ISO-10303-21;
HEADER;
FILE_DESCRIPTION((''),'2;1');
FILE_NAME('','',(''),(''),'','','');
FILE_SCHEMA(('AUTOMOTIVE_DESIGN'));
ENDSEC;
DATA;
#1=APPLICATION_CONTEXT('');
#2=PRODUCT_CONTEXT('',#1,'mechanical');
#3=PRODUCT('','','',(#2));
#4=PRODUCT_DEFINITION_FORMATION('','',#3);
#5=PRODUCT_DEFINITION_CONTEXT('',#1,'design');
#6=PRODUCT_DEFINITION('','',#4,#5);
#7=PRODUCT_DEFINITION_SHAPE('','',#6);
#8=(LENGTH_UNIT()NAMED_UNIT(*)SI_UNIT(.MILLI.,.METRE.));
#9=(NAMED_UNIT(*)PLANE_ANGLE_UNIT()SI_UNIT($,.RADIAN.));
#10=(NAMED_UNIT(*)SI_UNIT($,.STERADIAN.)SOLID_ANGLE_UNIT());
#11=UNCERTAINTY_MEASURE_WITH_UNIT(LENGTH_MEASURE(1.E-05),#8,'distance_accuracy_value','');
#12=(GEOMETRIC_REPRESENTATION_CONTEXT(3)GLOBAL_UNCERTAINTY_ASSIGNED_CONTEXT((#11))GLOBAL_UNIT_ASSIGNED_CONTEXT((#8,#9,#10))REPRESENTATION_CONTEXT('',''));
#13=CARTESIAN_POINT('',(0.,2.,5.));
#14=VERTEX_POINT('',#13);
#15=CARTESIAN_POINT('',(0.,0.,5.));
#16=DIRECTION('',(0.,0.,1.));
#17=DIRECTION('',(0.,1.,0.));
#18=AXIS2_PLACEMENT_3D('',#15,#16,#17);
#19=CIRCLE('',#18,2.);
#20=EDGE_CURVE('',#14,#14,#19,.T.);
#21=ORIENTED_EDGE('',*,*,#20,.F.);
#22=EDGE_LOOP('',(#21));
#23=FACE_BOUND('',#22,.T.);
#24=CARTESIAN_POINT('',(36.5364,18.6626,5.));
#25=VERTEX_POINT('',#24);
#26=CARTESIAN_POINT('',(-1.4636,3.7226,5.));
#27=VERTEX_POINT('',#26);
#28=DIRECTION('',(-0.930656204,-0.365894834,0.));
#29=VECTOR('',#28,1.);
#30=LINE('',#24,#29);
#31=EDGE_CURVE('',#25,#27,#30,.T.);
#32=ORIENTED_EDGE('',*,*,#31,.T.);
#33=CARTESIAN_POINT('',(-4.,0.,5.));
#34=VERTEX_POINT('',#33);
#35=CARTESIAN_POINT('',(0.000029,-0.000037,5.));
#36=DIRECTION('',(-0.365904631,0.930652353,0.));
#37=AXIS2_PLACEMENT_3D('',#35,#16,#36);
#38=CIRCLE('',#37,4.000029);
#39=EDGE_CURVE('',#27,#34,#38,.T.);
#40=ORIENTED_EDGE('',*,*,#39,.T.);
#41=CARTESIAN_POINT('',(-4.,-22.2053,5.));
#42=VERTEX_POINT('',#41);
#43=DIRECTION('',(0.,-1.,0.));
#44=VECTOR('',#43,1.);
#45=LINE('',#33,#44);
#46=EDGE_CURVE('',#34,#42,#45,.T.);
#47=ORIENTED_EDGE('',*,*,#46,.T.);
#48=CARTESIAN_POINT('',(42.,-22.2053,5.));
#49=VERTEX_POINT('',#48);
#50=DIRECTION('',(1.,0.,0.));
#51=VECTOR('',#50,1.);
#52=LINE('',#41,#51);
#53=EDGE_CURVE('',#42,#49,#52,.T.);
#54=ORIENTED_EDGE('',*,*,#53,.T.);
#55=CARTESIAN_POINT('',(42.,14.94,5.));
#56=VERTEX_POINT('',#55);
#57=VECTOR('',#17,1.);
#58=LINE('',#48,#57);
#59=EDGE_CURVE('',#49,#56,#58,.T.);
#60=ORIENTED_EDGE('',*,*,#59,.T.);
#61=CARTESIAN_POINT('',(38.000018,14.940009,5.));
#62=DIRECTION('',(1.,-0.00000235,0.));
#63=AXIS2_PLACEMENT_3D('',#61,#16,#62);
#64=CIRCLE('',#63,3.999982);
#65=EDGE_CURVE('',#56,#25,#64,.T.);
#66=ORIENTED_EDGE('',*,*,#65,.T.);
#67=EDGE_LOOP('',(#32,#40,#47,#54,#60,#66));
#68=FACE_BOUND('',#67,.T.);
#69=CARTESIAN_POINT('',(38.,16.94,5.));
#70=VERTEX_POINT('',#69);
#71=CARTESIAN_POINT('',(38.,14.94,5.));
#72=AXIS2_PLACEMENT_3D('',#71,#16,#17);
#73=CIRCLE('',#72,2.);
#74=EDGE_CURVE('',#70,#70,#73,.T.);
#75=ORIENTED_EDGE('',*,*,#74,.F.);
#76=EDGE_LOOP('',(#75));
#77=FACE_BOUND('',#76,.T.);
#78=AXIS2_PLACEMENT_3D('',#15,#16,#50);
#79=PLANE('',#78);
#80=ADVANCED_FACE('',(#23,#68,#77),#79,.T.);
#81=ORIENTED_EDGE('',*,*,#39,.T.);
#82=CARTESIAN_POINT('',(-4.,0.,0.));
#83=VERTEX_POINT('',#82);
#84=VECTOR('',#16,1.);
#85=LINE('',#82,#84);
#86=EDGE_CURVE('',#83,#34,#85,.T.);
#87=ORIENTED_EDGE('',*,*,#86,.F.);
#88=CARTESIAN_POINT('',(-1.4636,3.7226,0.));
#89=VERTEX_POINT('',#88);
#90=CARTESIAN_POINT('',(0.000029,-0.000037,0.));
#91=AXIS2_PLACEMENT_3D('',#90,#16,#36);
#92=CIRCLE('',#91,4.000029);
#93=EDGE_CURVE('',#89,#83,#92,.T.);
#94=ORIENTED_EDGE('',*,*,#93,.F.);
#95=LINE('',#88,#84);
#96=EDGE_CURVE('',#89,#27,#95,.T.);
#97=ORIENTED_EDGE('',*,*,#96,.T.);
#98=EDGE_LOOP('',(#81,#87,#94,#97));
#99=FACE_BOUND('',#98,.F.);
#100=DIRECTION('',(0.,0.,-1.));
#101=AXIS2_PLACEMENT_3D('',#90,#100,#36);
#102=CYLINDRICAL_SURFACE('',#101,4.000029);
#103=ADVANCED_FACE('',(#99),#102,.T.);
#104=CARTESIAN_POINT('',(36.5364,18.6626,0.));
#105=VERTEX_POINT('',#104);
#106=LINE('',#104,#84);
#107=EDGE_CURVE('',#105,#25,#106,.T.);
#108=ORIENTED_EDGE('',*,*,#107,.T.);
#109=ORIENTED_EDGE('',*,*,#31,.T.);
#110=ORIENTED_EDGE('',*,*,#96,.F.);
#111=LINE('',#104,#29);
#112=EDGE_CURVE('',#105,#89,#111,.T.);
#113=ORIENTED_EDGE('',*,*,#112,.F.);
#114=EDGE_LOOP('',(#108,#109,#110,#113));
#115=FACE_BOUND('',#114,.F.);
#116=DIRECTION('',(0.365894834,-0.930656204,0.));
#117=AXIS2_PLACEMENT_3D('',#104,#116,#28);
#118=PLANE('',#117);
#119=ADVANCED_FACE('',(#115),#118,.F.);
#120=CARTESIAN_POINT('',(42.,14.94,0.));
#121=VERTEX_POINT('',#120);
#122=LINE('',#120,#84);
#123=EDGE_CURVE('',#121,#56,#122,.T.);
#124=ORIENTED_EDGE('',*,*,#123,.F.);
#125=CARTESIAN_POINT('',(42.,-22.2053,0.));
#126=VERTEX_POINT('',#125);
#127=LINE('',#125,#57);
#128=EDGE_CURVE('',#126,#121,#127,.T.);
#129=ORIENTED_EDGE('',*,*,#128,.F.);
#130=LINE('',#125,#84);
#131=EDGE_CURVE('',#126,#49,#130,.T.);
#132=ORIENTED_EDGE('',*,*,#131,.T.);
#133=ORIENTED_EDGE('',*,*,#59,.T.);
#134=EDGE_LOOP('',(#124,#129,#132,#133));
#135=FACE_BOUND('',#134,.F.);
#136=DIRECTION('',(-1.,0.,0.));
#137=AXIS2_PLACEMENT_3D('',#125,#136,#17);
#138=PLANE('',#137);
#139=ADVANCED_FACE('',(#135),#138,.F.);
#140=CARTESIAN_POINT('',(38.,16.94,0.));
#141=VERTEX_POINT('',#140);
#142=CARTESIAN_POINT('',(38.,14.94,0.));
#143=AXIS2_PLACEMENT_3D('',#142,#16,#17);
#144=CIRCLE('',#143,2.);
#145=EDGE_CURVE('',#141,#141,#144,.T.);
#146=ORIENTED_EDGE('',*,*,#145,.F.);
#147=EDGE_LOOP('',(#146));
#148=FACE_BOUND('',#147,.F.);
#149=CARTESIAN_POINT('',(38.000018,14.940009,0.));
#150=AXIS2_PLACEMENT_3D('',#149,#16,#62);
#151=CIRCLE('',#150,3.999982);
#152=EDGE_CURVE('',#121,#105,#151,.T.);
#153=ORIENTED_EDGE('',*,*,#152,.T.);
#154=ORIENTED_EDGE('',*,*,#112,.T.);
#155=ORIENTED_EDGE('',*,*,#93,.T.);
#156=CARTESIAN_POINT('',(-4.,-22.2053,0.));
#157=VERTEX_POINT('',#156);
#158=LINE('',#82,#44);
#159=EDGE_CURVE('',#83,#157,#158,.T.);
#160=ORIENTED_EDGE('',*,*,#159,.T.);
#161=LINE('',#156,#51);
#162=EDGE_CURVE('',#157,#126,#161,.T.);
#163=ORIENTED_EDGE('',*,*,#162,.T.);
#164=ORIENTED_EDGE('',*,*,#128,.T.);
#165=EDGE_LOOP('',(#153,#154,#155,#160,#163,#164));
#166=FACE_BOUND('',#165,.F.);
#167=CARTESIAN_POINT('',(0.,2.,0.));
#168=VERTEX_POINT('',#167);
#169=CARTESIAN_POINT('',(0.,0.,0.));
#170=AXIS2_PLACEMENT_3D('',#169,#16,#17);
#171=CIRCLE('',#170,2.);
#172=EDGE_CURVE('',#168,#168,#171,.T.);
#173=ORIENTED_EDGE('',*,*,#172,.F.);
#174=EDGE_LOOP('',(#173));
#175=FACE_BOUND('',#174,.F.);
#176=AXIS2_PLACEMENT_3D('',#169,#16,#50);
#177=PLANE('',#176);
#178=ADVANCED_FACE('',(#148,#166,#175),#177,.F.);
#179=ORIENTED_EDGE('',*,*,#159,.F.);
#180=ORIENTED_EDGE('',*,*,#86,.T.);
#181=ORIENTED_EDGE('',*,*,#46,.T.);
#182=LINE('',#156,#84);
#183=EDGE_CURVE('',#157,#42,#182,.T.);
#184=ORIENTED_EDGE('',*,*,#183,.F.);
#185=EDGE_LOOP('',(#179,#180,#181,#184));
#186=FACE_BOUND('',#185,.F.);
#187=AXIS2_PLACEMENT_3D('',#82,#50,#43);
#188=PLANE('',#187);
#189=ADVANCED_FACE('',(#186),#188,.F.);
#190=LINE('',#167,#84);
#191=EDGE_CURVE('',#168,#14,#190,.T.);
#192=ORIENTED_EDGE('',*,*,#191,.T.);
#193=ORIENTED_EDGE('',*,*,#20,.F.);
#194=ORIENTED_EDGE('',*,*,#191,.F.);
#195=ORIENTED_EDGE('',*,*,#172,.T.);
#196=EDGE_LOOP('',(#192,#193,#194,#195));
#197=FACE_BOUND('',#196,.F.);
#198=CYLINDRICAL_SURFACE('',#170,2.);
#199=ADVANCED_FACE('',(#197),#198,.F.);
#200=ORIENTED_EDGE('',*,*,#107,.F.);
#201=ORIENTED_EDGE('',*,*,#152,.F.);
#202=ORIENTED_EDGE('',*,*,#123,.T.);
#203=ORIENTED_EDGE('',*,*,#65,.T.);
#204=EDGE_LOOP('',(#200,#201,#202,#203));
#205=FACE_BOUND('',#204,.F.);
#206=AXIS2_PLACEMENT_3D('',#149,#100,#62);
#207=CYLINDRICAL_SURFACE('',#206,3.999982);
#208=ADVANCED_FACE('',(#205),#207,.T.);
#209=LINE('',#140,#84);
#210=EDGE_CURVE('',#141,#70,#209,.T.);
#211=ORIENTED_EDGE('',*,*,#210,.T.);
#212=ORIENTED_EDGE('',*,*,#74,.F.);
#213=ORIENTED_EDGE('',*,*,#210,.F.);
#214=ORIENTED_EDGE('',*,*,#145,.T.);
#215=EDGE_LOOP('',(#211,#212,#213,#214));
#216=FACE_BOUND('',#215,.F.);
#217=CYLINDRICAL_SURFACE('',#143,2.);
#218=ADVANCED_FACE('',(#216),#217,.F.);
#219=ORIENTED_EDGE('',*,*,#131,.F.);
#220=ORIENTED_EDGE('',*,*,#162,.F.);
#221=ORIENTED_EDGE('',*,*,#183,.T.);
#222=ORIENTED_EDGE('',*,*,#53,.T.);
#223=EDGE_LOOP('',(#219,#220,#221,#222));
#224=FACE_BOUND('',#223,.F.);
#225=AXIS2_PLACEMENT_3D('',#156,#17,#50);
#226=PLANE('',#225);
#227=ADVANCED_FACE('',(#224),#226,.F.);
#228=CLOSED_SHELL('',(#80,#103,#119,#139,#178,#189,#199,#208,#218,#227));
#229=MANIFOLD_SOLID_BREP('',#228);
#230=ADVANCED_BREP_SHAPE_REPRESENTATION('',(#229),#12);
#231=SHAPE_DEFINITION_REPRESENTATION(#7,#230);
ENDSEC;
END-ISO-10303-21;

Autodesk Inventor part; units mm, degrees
ref_plane "YZ Plane" through (0, 0, 0) normal (1, 0, 0) x (0, 1, 0)
ref_plane "XZ Plane" through (0, 0, 0) normal (0, 1, 0) x (-1, 0, 0)
ref_plane "XY Plane" through (0, 0, 0) normal (0, 0, 1) x (1, 0, 0)
sketch "スケッチ1" plane through (0, 0, 0) normal (0, 0, 1) x (1, 0, 0)
  line L0 (0, 0) -> (38, 14.94) construction
  line L1 (36.5364, 18.6626) -> (-1.4636, 3.7226)
  line L2 (-4, 0) -> (-4, -22.2053)
  line L3 (-4, -22.2053) -> (42, -22.2053)
  line L4 (42, -22.2053) -> (42, 14.94)
  arc A0 (-1.4636, 3.7226) -> (-4, 0) centre (0, 0) ccw
  arc A1 (42, 14.94) -> (36.5364, 18.6626) centre (38, 14.94) ccw
  dimension "d0" = 38
  dimension "d1" = 14.94
  dimension "d2" = 4
extrude "押し出し1" add sketch "スケッチ1" along normal blind 5
hole "穴1" at (0, 0, 0) at (38, 14.94, 0) direction (0, 0, 1) diameter 4 end through all
properties part number "COXA_ROLL_COUPLER_BACK"
